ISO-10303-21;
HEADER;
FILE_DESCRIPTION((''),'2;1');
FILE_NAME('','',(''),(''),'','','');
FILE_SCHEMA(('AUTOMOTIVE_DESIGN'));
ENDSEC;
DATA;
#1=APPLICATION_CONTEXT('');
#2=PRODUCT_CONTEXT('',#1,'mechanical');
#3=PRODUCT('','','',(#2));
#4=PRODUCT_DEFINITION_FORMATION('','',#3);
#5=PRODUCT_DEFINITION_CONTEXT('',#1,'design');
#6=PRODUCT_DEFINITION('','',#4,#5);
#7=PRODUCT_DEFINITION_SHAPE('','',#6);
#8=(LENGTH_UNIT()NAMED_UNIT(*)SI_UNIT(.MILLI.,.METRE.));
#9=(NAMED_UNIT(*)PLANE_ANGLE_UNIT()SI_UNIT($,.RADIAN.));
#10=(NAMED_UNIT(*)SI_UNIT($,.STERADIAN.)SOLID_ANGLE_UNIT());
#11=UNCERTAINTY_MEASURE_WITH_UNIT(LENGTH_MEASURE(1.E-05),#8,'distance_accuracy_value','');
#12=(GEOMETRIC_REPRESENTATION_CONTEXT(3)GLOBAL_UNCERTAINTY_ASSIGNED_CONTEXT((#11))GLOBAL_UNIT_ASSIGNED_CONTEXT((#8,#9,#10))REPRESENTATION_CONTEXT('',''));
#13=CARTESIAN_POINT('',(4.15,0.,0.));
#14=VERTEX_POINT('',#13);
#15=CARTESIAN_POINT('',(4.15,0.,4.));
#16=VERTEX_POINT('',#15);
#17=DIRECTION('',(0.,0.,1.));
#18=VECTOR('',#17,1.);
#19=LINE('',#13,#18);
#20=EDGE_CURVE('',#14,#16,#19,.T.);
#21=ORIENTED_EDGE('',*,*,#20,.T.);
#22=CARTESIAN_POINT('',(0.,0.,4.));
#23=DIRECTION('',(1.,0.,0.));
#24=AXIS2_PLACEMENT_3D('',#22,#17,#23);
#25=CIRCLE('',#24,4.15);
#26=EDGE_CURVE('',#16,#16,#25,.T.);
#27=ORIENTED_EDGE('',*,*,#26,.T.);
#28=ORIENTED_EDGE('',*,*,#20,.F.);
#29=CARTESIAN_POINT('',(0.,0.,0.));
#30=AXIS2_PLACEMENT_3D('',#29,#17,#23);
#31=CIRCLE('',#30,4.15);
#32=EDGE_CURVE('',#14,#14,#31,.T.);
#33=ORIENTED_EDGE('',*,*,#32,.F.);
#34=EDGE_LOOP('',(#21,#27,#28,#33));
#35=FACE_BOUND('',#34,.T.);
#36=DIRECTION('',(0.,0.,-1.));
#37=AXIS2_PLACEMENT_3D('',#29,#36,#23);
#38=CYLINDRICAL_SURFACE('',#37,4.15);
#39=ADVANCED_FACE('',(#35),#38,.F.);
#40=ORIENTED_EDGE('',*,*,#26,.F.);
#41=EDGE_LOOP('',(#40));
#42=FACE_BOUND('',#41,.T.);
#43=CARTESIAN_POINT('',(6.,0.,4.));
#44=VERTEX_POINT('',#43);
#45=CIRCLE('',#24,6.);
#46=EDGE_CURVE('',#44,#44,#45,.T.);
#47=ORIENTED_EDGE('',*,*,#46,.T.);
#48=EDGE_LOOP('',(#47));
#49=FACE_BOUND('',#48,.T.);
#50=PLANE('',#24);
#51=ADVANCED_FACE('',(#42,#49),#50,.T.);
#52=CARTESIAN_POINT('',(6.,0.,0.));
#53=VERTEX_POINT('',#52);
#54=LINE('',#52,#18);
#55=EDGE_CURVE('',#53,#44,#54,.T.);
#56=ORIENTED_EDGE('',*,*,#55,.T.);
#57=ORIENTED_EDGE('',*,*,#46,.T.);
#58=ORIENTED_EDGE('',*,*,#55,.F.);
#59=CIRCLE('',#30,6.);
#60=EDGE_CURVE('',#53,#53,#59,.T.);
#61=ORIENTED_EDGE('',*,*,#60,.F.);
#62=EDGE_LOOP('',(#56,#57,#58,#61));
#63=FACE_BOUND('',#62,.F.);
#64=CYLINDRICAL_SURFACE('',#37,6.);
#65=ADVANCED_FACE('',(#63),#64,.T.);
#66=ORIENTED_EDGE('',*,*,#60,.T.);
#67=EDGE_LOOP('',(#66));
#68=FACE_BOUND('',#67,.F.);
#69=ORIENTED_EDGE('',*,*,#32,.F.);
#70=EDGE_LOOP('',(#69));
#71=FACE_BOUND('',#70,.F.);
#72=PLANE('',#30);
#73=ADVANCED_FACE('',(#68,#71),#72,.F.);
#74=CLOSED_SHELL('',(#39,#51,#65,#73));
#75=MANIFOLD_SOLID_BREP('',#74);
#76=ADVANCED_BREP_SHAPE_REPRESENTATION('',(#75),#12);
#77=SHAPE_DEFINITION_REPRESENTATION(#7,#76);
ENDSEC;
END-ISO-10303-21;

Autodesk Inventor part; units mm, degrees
ref_plane "YZ Plane" through (0, 0, 0) normal (1, 0, 0) x (0, 1, 0)
ref_plane "XZ Plane" through (0, 0, 0) normal (0, 1, 0) x (-1, 0, 0)
ref_plane "XY Plane" through (0, 0, 0) normal (0, 0, 1) x (1, 0, 0)
sketch "スケッチ1" plane through (0, 0, 0) normal (0, 0, 1) x (1, 0, 0)
  circle A0 centre (0, 0) radius 6
  circle A1 centre (0, 0) radius 4.15
  dimension "d0" = 12
  dimension "d1" = 8.3
extrude "押し出し1" add sketch "スケッチ1" along normal blind 4
properties part number "link1part6"
